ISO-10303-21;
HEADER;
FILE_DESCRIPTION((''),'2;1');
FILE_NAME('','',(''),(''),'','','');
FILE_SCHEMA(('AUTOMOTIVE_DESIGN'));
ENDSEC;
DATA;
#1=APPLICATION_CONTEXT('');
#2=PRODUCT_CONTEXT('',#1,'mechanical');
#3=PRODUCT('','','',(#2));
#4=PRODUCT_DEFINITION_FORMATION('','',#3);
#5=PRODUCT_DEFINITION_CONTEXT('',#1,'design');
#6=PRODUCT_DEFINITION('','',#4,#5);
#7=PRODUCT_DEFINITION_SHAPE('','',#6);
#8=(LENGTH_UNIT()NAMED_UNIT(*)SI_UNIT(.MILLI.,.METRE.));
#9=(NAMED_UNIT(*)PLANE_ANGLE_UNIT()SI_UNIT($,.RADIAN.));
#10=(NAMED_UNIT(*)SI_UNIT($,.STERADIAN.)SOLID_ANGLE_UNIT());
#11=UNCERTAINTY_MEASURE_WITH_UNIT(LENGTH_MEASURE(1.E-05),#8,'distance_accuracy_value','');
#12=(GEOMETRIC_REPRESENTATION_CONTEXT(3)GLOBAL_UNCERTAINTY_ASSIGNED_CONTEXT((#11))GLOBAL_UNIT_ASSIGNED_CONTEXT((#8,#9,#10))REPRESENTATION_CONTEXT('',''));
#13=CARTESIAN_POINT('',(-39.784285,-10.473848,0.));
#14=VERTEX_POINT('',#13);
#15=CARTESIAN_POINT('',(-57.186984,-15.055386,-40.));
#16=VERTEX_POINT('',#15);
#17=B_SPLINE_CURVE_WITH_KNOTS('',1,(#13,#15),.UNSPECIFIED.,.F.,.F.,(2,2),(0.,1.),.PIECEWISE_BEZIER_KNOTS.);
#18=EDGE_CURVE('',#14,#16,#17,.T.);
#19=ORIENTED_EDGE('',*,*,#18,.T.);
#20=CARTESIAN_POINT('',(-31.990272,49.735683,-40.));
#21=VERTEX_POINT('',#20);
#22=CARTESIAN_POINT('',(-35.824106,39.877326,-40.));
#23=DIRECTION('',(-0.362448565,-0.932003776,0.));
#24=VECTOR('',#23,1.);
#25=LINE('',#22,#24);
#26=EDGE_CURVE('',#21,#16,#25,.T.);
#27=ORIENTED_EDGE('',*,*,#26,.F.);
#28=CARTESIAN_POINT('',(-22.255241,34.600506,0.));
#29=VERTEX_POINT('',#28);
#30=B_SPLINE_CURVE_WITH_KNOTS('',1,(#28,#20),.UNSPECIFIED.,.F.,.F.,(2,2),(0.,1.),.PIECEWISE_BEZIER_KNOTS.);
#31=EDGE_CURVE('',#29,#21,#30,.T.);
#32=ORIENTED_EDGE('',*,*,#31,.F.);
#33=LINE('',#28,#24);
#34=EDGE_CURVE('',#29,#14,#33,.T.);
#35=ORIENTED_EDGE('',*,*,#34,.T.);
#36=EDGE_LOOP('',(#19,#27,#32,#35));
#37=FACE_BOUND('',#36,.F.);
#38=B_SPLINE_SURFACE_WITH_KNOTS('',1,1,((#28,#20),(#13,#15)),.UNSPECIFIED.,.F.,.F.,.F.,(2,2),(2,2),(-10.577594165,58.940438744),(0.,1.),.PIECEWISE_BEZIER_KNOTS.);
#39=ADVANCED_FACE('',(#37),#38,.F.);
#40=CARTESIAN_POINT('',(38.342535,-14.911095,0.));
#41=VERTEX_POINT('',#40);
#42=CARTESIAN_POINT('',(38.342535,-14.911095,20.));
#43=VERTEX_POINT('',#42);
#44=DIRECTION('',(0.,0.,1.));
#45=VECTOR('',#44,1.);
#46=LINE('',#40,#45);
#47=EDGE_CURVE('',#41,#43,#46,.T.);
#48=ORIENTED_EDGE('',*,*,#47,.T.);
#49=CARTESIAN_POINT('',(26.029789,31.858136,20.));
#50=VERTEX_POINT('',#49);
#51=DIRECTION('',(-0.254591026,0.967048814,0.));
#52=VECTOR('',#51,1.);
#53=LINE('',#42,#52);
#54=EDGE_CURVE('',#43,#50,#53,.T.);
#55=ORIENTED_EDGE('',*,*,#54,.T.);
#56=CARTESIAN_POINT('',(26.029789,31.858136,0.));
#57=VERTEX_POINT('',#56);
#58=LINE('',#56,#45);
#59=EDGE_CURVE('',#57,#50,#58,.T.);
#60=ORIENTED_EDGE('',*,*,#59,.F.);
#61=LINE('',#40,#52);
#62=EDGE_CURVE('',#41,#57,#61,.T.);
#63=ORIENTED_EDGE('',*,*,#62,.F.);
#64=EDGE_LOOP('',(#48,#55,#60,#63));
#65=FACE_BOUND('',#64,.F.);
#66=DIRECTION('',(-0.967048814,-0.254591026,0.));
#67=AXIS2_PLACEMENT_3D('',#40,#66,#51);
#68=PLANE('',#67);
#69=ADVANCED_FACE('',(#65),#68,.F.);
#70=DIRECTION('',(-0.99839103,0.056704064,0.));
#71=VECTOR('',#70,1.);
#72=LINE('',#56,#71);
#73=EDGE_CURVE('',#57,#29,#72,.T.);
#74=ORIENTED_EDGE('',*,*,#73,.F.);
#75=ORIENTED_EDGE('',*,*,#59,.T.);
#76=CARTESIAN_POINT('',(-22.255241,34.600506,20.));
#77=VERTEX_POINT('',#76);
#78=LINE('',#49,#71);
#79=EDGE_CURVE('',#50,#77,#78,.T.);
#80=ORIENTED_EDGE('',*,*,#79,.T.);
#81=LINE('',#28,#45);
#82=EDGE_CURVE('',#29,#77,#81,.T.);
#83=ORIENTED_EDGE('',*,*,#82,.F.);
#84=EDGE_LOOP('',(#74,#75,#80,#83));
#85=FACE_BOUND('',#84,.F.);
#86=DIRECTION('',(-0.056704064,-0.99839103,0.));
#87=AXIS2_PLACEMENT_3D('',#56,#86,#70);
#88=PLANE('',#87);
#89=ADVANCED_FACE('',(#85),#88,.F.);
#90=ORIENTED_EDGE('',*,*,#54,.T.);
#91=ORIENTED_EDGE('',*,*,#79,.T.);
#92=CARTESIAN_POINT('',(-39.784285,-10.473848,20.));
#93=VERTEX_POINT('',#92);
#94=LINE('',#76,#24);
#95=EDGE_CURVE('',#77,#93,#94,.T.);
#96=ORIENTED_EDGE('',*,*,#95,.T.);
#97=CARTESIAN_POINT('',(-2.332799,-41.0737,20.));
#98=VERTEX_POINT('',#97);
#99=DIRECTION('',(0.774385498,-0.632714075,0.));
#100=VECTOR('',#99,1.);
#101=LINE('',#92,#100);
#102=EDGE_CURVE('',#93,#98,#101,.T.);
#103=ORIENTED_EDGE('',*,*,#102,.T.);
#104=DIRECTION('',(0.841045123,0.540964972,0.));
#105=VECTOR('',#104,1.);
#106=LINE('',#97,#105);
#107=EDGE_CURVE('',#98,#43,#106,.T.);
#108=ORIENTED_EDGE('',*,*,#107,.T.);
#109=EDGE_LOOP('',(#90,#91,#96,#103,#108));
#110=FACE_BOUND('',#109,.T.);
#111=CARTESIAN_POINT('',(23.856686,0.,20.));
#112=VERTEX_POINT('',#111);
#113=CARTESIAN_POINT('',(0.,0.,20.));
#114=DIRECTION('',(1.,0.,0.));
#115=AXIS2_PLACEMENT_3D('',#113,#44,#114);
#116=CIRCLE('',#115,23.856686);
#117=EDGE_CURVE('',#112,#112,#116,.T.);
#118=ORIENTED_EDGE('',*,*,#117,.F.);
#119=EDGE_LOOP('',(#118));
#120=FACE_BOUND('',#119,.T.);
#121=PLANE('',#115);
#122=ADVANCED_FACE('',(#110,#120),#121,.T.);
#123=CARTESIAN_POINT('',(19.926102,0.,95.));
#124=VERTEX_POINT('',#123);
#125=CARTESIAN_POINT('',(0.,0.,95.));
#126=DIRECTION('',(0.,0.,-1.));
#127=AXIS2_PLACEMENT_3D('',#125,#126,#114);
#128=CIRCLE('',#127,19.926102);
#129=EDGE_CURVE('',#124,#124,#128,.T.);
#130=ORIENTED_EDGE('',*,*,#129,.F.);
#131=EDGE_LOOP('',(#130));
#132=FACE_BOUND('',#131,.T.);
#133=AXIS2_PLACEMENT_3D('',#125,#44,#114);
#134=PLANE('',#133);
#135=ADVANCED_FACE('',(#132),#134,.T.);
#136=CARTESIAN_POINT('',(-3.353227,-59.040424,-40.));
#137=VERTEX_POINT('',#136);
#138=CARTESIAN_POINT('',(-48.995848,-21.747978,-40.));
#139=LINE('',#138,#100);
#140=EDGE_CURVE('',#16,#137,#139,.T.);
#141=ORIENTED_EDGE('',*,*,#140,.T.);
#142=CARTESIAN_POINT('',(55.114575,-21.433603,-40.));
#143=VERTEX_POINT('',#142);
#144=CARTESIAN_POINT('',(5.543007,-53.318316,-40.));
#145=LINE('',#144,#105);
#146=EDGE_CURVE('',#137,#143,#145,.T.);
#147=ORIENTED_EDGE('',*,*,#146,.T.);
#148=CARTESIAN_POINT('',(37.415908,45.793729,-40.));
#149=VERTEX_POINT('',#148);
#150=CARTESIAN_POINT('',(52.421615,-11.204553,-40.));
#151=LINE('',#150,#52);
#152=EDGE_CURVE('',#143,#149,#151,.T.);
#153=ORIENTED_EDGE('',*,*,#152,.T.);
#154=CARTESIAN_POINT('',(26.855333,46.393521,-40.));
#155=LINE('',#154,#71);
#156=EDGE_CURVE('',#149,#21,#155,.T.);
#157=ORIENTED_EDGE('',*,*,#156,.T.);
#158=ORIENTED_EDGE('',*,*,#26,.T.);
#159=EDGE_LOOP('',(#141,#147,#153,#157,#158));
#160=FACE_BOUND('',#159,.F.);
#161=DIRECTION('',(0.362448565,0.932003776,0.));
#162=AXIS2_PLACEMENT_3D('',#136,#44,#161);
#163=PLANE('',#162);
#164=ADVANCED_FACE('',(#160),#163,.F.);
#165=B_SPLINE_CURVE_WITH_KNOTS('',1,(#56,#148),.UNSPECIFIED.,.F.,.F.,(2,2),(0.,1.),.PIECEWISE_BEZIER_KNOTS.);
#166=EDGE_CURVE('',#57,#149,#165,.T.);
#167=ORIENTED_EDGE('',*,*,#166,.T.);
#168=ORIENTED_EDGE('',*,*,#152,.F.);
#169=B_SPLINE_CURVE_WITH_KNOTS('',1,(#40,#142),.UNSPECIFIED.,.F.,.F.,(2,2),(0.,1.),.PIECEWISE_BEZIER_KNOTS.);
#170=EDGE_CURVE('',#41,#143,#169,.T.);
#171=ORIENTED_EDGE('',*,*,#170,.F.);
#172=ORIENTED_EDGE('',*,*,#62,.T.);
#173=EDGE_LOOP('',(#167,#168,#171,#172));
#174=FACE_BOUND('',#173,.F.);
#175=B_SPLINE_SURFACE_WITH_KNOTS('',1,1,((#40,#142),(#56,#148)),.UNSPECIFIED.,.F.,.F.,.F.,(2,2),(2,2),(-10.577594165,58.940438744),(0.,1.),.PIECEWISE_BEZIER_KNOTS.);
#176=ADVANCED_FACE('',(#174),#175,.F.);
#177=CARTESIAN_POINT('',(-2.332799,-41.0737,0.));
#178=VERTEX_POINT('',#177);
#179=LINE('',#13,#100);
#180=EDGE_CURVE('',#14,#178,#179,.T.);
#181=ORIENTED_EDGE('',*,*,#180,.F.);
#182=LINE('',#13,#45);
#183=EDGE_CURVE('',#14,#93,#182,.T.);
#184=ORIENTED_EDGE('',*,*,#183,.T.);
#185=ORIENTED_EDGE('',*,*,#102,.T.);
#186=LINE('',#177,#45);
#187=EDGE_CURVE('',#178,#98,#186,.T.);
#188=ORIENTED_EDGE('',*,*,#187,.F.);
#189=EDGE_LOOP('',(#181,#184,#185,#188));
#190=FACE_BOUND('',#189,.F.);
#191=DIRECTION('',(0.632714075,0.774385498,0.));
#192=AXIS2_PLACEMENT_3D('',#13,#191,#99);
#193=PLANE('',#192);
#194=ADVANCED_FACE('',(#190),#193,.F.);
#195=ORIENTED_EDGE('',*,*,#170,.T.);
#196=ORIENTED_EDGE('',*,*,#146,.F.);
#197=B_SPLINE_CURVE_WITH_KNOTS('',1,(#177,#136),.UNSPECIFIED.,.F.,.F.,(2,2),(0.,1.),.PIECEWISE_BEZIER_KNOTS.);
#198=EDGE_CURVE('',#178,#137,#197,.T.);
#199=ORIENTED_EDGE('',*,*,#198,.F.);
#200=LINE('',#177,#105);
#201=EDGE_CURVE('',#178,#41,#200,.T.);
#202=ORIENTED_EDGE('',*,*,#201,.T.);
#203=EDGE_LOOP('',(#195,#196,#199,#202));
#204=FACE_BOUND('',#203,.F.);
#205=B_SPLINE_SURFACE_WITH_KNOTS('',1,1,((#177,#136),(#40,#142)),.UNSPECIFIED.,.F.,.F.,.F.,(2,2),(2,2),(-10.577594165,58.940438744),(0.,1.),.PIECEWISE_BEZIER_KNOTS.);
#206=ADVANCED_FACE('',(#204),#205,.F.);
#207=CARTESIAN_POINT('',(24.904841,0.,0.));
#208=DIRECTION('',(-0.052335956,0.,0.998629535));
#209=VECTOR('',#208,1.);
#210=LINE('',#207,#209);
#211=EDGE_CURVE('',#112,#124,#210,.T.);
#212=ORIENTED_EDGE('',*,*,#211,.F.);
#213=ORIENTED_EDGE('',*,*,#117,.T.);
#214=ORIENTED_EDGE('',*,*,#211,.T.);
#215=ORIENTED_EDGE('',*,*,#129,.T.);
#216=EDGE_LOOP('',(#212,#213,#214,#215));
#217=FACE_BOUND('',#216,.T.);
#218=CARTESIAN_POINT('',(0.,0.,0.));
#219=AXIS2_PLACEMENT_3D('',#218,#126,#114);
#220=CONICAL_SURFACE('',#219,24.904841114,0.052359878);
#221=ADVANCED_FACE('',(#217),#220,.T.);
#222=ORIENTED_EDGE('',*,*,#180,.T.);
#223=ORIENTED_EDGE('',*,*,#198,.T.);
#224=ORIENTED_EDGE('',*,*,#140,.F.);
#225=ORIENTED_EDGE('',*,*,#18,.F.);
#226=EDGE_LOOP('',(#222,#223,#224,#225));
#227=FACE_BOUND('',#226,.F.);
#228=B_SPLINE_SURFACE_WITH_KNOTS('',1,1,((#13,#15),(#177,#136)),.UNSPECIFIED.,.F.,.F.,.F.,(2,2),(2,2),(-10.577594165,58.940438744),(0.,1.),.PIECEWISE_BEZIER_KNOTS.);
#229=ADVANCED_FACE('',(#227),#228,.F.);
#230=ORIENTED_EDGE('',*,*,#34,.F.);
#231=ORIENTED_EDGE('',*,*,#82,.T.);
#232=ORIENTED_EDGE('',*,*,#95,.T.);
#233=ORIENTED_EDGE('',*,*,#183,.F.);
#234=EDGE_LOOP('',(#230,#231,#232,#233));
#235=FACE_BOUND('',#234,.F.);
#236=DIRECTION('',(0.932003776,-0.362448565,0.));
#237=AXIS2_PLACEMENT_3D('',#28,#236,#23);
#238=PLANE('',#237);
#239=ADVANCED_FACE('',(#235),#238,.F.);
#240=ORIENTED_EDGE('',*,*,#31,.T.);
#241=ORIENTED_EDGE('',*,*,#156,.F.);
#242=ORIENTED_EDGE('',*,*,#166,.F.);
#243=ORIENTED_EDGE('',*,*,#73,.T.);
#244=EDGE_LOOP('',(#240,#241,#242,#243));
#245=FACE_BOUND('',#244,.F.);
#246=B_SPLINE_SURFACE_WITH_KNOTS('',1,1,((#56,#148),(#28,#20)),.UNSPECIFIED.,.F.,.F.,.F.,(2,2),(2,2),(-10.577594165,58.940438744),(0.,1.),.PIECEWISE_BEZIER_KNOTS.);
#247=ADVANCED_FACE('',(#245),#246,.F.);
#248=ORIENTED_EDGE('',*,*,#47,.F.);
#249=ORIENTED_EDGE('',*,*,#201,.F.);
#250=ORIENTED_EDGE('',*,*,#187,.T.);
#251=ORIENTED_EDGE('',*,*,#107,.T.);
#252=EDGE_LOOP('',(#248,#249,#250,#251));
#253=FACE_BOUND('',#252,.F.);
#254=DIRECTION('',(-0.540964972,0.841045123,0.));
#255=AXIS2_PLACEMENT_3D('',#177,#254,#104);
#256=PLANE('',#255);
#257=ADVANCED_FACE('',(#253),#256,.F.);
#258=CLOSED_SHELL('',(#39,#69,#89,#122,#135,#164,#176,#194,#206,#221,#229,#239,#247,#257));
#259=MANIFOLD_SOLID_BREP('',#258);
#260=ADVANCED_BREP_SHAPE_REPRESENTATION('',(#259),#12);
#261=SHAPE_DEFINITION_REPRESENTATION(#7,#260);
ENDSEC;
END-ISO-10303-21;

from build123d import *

# Parameters (mm, degrees)
F1_DEPTH      = 40
F1_TAPER      = -20
F1_DEPTH_BACK = 20
F2_R          = 24.9048411139
F3_DEPTH      = 95
F3_TAPER      = 3


with BuildPart() as f1:
    # F0 (on Top) → F1 (new body, two sides)
    with BuildSketch(Plane.XY) as f1_sk:
        Polygon((-2.332799099, -41.0736999903), (38.3425354581, -14.9110951032), (26.029789227, 31.8581364071), (-22.2552409959, 34.600506221), (-39.7842845902, -10.4738475346), align=None)
    extrude(amount=-F1_DEPTH, taper=F1_TAPER)
    extrude(f1_sk.sketch, amount=F1_DEPTH_BACK)

    # F2 (on Top) → F3 (join)
    with BuildSketch(Plane.XY):
        Circle(F2_R)
    extrude(amount=F3_DEPTH, taper=F3_TAPER)


solid = f1.part
